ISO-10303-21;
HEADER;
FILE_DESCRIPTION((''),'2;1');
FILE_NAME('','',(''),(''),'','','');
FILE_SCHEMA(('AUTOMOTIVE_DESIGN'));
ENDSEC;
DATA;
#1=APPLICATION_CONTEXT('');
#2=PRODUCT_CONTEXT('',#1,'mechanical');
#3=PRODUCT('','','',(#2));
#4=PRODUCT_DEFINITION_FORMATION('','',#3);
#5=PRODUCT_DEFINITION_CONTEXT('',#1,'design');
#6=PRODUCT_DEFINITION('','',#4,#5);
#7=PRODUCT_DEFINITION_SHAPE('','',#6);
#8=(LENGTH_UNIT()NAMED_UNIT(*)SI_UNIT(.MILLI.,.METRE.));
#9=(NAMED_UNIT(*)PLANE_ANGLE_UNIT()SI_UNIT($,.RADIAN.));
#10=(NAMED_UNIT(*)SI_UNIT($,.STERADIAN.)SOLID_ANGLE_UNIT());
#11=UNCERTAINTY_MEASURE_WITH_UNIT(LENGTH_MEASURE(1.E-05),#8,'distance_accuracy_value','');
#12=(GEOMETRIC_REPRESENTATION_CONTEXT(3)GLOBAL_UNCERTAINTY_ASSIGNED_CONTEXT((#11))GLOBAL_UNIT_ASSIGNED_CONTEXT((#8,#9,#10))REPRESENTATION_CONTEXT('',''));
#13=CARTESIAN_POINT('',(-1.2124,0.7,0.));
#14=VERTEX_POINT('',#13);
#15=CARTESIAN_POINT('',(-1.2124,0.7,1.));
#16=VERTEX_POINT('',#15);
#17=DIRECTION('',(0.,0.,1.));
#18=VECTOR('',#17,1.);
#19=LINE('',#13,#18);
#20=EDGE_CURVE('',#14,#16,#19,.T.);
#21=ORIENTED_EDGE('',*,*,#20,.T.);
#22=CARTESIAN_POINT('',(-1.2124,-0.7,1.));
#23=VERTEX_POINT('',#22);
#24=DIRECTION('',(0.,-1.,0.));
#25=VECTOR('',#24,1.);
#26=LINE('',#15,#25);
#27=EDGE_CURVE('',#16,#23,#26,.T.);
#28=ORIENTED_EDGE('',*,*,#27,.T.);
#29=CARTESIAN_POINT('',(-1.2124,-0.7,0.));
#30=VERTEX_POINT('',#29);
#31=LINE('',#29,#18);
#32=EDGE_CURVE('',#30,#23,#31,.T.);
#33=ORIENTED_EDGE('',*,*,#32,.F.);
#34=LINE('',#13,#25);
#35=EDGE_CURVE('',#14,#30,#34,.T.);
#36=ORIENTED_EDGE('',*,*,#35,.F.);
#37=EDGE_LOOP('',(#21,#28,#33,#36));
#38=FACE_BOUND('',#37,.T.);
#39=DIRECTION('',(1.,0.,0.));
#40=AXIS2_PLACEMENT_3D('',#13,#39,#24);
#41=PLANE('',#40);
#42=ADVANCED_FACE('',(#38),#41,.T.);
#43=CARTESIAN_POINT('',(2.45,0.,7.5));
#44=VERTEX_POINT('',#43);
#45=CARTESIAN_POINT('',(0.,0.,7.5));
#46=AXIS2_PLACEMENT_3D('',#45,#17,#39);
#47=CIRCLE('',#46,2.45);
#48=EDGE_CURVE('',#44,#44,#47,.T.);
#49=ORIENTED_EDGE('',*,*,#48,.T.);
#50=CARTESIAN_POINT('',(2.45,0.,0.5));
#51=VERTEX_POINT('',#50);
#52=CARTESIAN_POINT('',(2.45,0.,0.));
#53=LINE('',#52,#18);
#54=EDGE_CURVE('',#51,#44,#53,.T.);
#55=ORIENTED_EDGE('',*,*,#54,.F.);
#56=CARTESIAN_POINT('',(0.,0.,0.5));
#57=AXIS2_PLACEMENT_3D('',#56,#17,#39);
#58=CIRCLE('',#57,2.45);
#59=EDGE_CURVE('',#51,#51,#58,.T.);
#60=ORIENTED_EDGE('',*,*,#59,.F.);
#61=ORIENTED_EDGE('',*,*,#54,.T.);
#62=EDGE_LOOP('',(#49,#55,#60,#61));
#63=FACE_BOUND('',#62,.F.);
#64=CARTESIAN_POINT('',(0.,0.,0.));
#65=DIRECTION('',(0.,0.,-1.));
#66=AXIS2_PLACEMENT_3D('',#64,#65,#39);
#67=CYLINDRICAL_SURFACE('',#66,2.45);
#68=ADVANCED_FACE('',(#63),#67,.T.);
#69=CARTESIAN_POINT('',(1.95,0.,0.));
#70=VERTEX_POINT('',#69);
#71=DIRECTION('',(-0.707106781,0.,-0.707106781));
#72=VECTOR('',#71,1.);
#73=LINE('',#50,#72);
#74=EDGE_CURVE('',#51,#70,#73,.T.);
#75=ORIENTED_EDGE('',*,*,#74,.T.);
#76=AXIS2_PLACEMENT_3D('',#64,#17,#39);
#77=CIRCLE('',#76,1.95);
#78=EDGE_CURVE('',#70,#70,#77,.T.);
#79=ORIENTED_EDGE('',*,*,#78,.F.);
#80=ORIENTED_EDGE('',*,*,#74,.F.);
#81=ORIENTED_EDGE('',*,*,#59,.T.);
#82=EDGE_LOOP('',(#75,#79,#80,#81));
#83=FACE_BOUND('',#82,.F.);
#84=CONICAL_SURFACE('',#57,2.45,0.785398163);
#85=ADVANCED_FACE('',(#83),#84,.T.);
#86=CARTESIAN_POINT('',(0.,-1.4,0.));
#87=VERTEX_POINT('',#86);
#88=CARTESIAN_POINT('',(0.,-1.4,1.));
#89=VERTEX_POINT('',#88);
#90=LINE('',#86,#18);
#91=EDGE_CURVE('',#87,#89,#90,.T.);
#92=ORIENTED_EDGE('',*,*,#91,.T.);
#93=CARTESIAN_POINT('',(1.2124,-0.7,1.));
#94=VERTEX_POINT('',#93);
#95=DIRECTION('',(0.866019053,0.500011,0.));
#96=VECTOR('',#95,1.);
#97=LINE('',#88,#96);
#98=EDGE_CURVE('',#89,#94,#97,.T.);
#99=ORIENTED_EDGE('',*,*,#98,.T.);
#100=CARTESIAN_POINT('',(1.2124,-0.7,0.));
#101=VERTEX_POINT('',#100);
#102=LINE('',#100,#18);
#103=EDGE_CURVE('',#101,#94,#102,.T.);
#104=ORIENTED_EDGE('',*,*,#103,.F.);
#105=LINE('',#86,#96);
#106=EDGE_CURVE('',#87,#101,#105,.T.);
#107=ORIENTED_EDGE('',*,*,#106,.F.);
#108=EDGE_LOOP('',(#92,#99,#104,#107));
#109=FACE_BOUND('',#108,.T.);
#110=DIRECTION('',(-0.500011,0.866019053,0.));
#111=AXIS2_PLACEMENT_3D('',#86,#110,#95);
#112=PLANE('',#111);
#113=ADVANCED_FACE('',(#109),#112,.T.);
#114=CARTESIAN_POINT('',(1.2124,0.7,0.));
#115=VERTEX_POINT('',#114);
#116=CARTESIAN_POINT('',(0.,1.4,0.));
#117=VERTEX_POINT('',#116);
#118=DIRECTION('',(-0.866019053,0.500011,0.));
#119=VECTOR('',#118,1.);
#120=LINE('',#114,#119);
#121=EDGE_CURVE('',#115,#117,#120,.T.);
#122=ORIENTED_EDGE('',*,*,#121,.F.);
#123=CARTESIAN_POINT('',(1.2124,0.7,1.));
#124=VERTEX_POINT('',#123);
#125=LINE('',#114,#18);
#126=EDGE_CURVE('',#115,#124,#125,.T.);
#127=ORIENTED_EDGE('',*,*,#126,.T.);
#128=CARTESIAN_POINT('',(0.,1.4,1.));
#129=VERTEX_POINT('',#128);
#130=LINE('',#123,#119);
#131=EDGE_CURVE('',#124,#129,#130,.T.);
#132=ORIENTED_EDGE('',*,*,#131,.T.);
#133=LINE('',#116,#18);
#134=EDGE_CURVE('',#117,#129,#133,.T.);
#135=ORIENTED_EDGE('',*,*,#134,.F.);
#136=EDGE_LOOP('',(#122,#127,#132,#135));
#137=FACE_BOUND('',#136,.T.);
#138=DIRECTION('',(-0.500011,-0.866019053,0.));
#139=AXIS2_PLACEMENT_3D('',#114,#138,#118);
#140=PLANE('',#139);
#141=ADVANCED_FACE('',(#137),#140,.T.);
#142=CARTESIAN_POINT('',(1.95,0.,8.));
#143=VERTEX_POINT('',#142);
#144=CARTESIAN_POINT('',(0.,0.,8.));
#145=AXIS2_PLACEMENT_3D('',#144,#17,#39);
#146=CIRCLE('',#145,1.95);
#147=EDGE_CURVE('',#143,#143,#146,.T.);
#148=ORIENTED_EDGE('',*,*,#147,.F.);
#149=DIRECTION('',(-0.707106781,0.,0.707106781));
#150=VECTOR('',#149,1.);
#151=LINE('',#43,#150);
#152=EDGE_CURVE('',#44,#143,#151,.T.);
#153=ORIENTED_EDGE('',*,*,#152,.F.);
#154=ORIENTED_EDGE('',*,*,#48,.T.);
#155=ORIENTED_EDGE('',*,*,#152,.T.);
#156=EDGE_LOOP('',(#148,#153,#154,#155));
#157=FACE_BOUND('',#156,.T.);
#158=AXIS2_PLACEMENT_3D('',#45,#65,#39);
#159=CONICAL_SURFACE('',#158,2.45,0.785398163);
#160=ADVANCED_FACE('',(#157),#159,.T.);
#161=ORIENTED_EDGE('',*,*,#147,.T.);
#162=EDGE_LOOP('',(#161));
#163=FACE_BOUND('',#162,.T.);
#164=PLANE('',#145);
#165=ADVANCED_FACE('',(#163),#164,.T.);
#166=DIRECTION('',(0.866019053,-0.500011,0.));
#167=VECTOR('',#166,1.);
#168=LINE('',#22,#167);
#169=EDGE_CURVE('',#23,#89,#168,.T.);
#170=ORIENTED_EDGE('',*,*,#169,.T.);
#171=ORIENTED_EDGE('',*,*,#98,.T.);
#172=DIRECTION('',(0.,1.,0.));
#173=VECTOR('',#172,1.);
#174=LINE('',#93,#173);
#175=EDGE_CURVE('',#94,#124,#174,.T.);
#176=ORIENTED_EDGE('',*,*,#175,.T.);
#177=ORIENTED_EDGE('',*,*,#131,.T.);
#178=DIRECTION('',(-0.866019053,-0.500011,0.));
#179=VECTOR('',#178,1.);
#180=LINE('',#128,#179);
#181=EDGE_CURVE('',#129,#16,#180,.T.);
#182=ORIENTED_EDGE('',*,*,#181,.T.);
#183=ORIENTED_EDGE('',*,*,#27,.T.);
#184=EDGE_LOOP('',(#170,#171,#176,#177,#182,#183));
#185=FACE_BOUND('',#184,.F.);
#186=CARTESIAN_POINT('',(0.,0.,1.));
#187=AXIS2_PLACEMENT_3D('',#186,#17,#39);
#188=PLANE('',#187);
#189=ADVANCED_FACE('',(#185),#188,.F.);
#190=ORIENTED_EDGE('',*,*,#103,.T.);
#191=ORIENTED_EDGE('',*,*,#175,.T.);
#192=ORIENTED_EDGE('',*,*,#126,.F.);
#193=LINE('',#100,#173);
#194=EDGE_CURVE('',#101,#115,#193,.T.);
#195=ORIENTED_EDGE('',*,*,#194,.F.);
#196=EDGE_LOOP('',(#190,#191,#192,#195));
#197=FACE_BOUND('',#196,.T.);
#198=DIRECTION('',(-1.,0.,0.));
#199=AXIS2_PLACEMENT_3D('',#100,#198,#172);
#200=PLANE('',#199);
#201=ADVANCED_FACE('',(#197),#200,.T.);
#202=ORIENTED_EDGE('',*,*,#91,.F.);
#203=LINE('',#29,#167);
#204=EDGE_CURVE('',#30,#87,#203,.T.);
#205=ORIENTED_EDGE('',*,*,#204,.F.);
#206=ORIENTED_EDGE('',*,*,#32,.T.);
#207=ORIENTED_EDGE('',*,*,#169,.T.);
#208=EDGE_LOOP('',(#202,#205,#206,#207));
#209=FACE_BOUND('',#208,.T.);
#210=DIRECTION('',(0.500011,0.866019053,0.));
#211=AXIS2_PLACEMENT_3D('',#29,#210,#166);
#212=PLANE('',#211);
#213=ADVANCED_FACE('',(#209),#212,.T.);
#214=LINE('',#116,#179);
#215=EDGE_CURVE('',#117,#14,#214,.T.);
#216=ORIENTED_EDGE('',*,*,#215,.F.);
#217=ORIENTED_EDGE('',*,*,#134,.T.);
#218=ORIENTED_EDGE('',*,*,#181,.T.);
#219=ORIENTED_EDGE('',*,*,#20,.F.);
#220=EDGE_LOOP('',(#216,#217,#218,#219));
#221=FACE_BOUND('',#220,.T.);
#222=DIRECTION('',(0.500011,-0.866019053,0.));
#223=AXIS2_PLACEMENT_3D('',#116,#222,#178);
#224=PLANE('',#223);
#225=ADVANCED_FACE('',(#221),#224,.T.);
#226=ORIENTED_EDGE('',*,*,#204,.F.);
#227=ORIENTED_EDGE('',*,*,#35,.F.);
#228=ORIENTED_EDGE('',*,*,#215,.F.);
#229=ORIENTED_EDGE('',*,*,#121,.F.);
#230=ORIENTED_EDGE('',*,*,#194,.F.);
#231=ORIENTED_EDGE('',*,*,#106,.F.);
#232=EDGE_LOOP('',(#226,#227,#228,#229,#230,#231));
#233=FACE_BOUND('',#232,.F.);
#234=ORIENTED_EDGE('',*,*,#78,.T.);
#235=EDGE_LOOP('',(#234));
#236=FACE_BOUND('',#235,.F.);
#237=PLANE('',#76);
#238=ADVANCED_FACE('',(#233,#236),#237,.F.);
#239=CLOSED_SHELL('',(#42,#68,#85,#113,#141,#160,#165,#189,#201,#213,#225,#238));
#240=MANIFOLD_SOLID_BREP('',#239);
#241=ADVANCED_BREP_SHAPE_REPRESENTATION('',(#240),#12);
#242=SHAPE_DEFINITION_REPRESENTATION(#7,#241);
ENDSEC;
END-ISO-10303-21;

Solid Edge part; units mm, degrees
sketch "Sketch1" plane through (0, 0, 0) normal (0, 0, 1) x (1, 0, 0)
  circle A0 centre (0, 0) radius 2.45
extrude "Protrusion1" add sketch "Sketch1" along normal blind 8
chamfer "Chamfer_1" distance 0.5 angle 45 2 edges at (-2.45, 0, 8) (-2.45, 0, 0)
sketch "Sketch2" plane through (0, 0, 0) normal (0, 0, -1) x (0, 1, 0)
  line L0 (-1.4, 0) -> (-0.7, 1.2124)
  line L1 (-0.7, 1.2124) -> (0.7, 1.2124)
  line L2 (0.7, 1.2124) -> (1.4, 0)
  line L3 (1.4, 0) -> (0.7, -1.2124)
  line L4 (0.7, -1.2124) -> (-0.7, -1.2124)
  line L5 (-0.7, -1.2124) -> (-1.4, 0)
extrude "ExtrudedCutout_1" cut sketch "Sketch2" against normal blind 1
properties material "Stainless steel"
